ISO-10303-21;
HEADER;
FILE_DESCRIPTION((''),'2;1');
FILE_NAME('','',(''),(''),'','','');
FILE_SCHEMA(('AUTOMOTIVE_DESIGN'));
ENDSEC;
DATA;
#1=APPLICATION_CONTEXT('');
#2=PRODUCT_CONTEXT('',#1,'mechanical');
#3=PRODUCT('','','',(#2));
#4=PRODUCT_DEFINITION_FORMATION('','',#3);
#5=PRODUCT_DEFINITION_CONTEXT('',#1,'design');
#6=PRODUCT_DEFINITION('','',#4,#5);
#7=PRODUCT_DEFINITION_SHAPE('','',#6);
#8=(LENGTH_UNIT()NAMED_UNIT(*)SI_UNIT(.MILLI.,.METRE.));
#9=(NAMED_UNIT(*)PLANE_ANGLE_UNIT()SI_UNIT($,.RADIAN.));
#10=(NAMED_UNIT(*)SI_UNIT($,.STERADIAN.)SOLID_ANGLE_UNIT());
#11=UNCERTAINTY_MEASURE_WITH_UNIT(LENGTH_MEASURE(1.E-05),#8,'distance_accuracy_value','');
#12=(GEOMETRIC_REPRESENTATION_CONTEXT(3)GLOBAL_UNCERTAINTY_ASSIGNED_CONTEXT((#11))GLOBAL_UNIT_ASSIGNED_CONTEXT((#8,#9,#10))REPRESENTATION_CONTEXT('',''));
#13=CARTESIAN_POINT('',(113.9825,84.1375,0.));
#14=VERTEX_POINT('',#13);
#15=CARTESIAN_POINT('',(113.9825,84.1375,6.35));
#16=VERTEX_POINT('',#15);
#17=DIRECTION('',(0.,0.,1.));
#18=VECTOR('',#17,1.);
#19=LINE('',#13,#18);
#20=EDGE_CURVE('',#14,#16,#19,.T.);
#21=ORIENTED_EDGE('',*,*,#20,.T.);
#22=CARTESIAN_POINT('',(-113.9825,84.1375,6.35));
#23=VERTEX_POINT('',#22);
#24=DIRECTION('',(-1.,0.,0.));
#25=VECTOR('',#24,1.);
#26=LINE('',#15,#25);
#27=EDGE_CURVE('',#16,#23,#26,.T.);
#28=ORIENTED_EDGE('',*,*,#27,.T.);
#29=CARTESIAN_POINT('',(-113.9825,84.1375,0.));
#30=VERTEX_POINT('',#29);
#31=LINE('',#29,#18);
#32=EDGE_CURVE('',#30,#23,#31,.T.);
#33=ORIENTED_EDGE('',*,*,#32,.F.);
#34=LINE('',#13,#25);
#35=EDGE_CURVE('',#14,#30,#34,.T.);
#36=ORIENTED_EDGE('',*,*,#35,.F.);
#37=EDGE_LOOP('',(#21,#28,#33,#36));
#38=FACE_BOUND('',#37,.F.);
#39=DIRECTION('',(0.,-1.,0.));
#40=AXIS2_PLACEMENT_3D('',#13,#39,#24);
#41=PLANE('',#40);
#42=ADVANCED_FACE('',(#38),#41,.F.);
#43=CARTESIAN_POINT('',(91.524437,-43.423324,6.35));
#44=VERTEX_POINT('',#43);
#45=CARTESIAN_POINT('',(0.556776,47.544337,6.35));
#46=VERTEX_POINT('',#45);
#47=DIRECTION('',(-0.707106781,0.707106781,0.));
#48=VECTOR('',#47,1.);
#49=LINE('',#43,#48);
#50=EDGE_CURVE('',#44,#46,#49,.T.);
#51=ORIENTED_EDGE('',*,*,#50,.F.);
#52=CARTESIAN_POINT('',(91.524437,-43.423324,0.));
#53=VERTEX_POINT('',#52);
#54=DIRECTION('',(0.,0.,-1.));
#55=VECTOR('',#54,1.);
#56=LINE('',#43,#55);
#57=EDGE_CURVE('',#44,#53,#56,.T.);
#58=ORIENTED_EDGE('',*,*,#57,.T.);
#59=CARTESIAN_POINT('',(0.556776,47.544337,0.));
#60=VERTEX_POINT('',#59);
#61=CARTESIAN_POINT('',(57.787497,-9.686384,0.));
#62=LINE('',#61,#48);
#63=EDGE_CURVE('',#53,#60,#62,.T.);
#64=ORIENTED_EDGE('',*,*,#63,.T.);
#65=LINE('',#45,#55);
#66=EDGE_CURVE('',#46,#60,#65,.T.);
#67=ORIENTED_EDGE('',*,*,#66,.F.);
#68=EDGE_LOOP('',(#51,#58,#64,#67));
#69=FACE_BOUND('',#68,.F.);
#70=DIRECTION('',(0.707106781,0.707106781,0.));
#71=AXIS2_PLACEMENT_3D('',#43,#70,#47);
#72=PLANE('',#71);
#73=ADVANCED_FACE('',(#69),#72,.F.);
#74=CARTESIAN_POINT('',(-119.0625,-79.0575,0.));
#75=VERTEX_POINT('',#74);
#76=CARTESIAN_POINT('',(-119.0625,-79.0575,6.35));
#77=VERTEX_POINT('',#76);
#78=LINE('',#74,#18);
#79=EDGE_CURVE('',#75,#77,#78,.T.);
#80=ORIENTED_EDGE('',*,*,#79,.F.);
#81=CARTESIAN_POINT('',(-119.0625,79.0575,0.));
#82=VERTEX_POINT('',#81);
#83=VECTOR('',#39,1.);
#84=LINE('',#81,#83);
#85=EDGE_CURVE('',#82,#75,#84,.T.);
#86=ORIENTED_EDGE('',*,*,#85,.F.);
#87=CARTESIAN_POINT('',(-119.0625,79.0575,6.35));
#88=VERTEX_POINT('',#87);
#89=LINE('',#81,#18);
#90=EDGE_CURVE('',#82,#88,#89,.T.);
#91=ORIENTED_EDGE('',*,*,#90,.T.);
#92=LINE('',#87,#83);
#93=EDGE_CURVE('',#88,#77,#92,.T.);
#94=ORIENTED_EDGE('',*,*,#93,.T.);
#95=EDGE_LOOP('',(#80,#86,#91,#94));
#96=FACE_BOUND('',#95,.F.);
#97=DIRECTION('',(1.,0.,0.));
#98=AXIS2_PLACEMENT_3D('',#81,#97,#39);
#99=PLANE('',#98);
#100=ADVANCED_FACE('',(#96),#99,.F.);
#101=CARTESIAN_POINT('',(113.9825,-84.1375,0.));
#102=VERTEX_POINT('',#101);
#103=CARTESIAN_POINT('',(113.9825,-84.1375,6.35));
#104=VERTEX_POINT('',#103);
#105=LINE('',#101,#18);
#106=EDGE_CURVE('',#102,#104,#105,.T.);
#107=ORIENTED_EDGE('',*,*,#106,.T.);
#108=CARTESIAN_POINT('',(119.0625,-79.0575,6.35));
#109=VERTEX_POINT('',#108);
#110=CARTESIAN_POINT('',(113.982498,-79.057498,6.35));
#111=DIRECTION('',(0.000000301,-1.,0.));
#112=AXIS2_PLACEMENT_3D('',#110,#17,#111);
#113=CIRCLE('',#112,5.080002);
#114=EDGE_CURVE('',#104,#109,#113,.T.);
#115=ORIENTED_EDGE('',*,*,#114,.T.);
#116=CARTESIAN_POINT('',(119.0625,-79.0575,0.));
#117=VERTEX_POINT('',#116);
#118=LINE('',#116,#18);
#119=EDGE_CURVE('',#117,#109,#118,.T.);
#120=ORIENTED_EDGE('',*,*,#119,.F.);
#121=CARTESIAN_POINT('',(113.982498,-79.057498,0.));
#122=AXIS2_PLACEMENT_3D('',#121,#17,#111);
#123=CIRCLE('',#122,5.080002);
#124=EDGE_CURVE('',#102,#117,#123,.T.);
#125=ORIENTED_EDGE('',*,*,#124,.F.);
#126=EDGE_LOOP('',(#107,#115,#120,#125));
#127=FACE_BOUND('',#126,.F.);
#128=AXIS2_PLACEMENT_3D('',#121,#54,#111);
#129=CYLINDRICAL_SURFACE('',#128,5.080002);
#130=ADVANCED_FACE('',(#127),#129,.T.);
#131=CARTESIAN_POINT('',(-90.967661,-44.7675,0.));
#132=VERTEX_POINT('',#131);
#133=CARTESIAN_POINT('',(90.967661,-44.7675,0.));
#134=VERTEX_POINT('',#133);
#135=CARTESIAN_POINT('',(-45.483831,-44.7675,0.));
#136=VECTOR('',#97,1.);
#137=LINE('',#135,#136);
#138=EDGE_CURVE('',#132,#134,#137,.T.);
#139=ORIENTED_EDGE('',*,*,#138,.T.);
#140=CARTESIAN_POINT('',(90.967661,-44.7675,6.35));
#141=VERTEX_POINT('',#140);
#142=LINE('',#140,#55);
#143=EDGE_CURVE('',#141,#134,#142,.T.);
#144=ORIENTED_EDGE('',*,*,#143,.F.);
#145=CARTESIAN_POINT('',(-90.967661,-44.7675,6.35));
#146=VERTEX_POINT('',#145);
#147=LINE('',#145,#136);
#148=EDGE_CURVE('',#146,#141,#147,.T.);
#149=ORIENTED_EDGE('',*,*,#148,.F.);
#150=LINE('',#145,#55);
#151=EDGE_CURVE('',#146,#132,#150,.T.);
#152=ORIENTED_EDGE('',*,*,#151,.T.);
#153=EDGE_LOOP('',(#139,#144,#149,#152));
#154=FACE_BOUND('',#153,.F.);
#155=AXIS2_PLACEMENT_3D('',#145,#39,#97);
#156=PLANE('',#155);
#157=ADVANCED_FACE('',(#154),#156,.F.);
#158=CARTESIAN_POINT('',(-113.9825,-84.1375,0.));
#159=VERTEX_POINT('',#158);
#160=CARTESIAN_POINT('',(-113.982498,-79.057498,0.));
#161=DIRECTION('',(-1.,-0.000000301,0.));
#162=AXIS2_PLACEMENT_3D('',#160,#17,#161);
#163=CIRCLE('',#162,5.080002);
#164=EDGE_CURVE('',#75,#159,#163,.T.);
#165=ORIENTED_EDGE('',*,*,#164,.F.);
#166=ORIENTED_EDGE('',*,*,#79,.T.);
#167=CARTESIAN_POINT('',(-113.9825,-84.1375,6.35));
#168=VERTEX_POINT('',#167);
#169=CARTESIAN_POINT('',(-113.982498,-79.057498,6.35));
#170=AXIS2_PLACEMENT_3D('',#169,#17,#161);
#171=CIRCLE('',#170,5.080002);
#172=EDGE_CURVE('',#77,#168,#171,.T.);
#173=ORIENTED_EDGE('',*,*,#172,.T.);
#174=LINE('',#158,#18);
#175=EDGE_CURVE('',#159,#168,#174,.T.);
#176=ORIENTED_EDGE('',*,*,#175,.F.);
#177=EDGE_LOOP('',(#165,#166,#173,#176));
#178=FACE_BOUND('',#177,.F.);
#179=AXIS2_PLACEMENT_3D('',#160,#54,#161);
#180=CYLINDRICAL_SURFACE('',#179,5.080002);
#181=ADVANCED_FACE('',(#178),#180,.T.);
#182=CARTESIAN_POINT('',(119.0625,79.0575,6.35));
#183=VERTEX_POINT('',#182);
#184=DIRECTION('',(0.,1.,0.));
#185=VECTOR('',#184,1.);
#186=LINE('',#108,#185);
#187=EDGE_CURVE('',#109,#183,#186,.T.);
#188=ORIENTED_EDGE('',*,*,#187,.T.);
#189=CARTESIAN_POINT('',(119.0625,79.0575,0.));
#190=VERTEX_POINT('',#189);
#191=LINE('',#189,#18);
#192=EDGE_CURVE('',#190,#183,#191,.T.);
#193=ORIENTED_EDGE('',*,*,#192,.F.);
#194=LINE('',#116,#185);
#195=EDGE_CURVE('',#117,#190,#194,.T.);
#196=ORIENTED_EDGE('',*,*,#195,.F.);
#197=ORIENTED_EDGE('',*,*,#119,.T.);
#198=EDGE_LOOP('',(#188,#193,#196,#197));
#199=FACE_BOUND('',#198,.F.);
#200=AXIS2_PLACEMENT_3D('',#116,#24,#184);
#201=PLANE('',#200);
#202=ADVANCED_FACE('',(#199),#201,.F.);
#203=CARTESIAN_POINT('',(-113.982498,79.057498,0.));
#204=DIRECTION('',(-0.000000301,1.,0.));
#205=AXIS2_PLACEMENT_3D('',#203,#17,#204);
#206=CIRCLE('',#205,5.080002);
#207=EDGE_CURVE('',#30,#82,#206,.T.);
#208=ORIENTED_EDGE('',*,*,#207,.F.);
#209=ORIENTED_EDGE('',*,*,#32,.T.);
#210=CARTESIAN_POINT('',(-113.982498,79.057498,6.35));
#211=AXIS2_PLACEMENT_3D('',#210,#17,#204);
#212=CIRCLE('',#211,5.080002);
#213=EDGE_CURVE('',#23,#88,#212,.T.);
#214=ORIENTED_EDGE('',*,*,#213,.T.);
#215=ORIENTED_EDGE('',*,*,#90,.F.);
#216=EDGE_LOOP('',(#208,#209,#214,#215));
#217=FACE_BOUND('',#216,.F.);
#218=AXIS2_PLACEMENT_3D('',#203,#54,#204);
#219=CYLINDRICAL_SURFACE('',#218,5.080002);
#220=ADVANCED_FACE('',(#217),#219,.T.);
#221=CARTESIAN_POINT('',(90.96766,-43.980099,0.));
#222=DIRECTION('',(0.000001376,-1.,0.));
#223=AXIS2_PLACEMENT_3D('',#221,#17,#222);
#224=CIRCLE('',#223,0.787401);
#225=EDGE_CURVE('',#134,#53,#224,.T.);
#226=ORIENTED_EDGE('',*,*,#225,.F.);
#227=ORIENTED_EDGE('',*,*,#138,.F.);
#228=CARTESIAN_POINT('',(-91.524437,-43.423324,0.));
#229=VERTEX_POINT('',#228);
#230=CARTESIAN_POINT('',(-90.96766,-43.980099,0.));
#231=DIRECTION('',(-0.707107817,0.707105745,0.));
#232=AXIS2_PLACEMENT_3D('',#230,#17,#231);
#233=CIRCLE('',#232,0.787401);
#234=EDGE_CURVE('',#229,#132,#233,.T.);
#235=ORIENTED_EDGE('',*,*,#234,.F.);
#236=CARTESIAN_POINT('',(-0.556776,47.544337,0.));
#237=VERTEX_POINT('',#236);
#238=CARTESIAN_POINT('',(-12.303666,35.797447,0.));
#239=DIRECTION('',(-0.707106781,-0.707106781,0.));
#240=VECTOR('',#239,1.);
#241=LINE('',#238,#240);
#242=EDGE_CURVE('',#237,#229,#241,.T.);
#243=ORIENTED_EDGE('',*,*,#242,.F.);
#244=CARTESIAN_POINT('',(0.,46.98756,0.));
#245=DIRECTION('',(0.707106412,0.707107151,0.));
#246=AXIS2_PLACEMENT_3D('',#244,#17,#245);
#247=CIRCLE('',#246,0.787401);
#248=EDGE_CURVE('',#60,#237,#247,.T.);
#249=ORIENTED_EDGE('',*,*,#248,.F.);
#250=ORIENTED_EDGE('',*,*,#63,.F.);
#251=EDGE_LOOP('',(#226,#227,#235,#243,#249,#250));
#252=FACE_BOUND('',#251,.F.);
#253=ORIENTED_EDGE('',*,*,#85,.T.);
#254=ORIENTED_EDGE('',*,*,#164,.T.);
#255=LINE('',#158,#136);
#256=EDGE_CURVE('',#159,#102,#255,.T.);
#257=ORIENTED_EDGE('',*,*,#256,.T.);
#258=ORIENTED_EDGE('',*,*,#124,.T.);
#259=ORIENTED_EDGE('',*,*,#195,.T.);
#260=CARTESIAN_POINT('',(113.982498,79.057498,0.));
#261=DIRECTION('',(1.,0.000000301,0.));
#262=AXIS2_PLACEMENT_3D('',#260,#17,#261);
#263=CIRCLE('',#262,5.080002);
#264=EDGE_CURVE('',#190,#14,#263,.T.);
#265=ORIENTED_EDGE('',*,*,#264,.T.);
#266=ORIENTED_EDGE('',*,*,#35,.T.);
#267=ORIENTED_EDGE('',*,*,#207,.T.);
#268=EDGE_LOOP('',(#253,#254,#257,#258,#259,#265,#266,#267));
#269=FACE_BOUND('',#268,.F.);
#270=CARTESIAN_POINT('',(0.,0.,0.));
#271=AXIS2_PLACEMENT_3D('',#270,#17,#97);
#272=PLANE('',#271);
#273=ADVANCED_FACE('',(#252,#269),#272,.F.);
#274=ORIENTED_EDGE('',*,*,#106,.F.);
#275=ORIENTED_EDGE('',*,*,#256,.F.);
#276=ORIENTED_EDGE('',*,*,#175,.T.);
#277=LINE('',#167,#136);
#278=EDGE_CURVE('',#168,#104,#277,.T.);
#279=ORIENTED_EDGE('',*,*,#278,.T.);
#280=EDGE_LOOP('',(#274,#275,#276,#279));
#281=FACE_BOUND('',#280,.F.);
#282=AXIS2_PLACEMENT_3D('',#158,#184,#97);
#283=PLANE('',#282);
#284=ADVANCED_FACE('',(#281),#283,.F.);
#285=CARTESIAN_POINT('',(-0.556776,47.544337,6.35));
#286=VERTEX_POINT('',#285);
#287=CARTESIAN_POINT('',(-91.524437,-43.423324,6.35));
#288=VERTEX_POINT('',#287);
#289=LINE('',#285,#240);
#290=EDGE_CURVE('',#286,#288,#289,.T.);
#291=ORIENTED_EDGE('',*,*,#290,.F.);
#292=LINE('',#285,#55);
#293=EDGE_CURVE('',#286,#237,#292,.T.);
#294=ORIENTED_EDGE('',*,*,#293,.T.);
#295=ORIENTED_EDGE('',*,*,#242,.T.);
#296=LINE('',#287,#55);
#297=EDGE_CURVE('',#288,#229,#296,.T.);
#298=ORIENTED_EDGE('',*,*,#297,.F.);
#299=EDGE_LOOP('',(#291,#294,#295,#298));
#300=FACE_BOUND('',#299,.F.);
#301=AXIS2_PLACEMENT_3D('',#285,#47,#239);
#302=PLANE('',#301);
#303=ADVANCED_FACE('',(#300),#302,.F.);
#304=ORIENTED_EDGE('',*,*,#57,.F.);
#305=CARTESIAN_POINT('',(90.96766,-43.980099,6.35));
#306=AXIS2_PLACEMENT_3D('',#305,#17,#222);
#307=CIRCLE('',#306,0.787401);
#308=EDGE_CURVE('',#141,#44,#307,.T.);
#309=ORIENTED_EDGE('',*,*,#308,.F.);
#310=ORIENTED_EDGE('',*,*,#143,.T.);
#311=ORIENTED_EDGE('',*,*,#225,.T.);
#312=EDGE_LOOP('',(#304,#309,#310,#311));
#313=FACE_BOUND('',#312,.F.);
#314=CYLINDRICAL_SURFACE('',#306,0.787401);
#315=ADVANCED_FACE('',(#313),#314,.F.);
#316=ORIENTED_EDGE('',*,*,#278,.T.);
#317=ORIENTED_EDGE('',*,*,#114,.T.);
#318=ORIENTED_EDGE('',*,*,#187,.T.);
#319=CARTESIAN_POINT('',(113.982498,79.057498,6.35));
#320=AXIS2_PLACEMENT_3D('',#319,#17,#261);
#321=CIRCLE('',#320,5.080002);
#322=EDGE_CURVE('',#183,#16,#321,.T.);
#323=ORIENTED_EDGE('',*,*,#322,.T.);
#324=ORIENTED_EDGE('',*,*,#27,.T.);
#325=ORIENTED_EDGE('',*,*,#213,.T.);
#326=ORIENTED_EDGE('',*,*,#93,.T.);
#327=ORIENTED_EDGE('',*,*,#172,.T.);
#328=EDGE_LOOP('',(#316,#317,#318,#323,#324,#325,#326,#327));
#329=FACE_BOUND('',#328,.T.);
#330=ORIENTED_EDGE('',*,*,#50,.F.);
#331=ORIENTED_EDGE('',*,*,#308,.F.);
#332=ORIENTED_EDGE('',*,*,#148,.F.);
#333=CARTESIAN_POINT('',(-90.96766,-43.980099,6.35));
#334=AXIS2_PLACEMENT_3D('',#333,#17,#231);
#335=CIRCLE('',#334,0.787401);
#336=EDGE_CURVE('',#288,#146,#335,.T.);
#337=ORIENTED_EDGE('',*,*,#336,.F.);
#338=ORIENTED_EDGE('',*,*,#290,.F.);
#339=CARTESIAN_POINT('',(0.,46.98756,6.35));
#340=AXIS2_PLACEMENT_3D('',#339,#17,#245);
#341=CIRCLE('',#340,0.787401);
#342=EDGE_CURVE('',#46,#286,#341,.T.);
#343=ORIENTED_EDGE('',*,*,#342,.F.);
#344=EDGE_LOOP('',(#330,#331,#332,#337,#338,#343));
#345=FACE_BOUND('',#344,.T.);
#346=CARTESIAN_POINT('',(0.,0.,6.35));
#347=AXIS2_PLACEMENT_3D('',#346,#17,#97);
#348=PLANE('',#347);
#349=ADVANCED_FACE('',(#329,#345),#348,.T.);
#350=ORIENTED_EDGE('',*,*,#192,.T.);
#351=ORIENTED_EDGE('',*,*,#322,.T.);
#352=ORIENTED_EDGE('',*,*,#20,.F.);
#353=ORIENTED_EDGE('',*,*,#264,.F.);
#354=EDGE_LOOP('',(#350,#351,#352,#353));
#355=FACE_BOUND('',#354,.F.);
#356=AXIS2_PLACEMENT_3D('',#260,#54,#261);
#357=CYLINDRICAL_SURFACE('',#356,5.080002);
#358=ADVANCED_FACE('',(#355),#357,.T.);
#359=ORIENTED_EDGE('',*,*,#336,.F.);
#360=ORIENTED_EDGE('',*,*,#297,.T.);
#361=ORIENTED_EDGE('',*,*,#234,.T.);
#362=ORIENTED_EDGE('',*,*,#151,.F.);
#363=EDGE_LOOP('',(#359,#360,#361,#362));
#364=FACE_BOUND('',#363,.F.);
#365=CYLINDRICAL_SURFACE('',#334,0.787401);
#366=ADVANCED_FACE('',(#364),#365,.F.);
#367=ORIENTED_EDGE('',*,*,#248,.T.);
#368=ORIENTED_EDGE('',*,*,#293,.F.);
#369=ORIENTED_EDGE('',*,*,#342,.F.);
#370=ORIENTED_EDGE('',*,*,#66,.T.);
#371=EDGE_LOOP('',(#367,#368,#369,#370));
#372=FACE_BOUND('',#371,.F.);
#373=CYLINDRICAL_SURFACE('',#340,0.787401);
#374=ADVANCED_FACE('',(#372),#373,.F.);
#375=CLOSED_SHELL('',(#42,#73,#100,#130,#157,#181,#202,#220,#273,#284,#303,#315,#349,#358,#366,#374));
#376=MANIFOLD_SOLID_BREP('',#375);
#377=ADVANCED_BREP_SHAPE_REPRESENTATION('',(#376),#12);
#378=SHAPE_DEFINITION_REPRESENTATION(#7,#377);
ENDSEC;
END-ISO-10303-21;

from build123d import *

# Parameters (mm, degrees)
F1_DEPTH = 6.35
F3_DEPTH = 6.351
F5_DEPTH = 6.351


with BuildPart() as f1:
    # F0 (on Top) → F1 (new body)
    with BuildSketch(Plane.XY):
        with BuildLine():
            Line((113.9825, 84.1375), (-113.9825, 84.1375))
            ThreePointArc((-113.9825, 84.1375), (-117.574602, 82.649602), (-119.0625, 79.0575))
            Line((-119.0625, 79.0575), (-119.0625, -79.0575))
            ThreePointArc((-119.0625, -79.0575), (-117.574602, -82.649602), (-113.9825, -84.1375))
            Line((-113.9825, -84.1375), (113.9825, -84.1375))
            ThreePointArc((113.9825, -84.1375), (117.574602, -82.649602), (119.0625, -79.0575))
            Line((119.0625, -79.0575), (119.0625, 79.0575))
            ThreePointArc((119.0625, 79.0575), (117.574602, 82.649602), (113.9825, 84.1375))
        make_face()
    extrude(amount=F1_DEPTH)

    # F2 (on face) → F3 (cut, through all)
    with BuildSketch(Plane.XY.offset(6.35)):
        Polygon((0, 46.305061), (-89.802561, -43.4975), (89.802561, -43.4975), align=None)
    extrude(amount=-F3_DEPTH, mode=Mode.SUBTRACT)

    # F4 (on face) → F5 (cut, through all)
    with BuildSketch(Plane.XY.offset(6.35)):
        with BuildLine():
            ThreePointArc((0.556776, 47.544337), (0, 47.774961), (-0.556776, 47.544337))
            Line((-0.556776, 47.544337), (-91.524437, -43.423324))
            ThreePointArc((-91.524437, -43.423324), (-91.695123, -44.281425), (-90.967661, -44.7675))
            Line((-90.967661, -44.7675), (90.967661, -44.7675))
            ThreePointArc((90.967661, -44.7675), (91.695123, -44.281425), (91.524437, -43.423324))
            Line((91.524437, -43.423324), (0.556776, 47.544337))
        make_face()
    extrude(amount=-F5_DEPTH, mode=Mode.SUBTRACT)


solid = f1.part
